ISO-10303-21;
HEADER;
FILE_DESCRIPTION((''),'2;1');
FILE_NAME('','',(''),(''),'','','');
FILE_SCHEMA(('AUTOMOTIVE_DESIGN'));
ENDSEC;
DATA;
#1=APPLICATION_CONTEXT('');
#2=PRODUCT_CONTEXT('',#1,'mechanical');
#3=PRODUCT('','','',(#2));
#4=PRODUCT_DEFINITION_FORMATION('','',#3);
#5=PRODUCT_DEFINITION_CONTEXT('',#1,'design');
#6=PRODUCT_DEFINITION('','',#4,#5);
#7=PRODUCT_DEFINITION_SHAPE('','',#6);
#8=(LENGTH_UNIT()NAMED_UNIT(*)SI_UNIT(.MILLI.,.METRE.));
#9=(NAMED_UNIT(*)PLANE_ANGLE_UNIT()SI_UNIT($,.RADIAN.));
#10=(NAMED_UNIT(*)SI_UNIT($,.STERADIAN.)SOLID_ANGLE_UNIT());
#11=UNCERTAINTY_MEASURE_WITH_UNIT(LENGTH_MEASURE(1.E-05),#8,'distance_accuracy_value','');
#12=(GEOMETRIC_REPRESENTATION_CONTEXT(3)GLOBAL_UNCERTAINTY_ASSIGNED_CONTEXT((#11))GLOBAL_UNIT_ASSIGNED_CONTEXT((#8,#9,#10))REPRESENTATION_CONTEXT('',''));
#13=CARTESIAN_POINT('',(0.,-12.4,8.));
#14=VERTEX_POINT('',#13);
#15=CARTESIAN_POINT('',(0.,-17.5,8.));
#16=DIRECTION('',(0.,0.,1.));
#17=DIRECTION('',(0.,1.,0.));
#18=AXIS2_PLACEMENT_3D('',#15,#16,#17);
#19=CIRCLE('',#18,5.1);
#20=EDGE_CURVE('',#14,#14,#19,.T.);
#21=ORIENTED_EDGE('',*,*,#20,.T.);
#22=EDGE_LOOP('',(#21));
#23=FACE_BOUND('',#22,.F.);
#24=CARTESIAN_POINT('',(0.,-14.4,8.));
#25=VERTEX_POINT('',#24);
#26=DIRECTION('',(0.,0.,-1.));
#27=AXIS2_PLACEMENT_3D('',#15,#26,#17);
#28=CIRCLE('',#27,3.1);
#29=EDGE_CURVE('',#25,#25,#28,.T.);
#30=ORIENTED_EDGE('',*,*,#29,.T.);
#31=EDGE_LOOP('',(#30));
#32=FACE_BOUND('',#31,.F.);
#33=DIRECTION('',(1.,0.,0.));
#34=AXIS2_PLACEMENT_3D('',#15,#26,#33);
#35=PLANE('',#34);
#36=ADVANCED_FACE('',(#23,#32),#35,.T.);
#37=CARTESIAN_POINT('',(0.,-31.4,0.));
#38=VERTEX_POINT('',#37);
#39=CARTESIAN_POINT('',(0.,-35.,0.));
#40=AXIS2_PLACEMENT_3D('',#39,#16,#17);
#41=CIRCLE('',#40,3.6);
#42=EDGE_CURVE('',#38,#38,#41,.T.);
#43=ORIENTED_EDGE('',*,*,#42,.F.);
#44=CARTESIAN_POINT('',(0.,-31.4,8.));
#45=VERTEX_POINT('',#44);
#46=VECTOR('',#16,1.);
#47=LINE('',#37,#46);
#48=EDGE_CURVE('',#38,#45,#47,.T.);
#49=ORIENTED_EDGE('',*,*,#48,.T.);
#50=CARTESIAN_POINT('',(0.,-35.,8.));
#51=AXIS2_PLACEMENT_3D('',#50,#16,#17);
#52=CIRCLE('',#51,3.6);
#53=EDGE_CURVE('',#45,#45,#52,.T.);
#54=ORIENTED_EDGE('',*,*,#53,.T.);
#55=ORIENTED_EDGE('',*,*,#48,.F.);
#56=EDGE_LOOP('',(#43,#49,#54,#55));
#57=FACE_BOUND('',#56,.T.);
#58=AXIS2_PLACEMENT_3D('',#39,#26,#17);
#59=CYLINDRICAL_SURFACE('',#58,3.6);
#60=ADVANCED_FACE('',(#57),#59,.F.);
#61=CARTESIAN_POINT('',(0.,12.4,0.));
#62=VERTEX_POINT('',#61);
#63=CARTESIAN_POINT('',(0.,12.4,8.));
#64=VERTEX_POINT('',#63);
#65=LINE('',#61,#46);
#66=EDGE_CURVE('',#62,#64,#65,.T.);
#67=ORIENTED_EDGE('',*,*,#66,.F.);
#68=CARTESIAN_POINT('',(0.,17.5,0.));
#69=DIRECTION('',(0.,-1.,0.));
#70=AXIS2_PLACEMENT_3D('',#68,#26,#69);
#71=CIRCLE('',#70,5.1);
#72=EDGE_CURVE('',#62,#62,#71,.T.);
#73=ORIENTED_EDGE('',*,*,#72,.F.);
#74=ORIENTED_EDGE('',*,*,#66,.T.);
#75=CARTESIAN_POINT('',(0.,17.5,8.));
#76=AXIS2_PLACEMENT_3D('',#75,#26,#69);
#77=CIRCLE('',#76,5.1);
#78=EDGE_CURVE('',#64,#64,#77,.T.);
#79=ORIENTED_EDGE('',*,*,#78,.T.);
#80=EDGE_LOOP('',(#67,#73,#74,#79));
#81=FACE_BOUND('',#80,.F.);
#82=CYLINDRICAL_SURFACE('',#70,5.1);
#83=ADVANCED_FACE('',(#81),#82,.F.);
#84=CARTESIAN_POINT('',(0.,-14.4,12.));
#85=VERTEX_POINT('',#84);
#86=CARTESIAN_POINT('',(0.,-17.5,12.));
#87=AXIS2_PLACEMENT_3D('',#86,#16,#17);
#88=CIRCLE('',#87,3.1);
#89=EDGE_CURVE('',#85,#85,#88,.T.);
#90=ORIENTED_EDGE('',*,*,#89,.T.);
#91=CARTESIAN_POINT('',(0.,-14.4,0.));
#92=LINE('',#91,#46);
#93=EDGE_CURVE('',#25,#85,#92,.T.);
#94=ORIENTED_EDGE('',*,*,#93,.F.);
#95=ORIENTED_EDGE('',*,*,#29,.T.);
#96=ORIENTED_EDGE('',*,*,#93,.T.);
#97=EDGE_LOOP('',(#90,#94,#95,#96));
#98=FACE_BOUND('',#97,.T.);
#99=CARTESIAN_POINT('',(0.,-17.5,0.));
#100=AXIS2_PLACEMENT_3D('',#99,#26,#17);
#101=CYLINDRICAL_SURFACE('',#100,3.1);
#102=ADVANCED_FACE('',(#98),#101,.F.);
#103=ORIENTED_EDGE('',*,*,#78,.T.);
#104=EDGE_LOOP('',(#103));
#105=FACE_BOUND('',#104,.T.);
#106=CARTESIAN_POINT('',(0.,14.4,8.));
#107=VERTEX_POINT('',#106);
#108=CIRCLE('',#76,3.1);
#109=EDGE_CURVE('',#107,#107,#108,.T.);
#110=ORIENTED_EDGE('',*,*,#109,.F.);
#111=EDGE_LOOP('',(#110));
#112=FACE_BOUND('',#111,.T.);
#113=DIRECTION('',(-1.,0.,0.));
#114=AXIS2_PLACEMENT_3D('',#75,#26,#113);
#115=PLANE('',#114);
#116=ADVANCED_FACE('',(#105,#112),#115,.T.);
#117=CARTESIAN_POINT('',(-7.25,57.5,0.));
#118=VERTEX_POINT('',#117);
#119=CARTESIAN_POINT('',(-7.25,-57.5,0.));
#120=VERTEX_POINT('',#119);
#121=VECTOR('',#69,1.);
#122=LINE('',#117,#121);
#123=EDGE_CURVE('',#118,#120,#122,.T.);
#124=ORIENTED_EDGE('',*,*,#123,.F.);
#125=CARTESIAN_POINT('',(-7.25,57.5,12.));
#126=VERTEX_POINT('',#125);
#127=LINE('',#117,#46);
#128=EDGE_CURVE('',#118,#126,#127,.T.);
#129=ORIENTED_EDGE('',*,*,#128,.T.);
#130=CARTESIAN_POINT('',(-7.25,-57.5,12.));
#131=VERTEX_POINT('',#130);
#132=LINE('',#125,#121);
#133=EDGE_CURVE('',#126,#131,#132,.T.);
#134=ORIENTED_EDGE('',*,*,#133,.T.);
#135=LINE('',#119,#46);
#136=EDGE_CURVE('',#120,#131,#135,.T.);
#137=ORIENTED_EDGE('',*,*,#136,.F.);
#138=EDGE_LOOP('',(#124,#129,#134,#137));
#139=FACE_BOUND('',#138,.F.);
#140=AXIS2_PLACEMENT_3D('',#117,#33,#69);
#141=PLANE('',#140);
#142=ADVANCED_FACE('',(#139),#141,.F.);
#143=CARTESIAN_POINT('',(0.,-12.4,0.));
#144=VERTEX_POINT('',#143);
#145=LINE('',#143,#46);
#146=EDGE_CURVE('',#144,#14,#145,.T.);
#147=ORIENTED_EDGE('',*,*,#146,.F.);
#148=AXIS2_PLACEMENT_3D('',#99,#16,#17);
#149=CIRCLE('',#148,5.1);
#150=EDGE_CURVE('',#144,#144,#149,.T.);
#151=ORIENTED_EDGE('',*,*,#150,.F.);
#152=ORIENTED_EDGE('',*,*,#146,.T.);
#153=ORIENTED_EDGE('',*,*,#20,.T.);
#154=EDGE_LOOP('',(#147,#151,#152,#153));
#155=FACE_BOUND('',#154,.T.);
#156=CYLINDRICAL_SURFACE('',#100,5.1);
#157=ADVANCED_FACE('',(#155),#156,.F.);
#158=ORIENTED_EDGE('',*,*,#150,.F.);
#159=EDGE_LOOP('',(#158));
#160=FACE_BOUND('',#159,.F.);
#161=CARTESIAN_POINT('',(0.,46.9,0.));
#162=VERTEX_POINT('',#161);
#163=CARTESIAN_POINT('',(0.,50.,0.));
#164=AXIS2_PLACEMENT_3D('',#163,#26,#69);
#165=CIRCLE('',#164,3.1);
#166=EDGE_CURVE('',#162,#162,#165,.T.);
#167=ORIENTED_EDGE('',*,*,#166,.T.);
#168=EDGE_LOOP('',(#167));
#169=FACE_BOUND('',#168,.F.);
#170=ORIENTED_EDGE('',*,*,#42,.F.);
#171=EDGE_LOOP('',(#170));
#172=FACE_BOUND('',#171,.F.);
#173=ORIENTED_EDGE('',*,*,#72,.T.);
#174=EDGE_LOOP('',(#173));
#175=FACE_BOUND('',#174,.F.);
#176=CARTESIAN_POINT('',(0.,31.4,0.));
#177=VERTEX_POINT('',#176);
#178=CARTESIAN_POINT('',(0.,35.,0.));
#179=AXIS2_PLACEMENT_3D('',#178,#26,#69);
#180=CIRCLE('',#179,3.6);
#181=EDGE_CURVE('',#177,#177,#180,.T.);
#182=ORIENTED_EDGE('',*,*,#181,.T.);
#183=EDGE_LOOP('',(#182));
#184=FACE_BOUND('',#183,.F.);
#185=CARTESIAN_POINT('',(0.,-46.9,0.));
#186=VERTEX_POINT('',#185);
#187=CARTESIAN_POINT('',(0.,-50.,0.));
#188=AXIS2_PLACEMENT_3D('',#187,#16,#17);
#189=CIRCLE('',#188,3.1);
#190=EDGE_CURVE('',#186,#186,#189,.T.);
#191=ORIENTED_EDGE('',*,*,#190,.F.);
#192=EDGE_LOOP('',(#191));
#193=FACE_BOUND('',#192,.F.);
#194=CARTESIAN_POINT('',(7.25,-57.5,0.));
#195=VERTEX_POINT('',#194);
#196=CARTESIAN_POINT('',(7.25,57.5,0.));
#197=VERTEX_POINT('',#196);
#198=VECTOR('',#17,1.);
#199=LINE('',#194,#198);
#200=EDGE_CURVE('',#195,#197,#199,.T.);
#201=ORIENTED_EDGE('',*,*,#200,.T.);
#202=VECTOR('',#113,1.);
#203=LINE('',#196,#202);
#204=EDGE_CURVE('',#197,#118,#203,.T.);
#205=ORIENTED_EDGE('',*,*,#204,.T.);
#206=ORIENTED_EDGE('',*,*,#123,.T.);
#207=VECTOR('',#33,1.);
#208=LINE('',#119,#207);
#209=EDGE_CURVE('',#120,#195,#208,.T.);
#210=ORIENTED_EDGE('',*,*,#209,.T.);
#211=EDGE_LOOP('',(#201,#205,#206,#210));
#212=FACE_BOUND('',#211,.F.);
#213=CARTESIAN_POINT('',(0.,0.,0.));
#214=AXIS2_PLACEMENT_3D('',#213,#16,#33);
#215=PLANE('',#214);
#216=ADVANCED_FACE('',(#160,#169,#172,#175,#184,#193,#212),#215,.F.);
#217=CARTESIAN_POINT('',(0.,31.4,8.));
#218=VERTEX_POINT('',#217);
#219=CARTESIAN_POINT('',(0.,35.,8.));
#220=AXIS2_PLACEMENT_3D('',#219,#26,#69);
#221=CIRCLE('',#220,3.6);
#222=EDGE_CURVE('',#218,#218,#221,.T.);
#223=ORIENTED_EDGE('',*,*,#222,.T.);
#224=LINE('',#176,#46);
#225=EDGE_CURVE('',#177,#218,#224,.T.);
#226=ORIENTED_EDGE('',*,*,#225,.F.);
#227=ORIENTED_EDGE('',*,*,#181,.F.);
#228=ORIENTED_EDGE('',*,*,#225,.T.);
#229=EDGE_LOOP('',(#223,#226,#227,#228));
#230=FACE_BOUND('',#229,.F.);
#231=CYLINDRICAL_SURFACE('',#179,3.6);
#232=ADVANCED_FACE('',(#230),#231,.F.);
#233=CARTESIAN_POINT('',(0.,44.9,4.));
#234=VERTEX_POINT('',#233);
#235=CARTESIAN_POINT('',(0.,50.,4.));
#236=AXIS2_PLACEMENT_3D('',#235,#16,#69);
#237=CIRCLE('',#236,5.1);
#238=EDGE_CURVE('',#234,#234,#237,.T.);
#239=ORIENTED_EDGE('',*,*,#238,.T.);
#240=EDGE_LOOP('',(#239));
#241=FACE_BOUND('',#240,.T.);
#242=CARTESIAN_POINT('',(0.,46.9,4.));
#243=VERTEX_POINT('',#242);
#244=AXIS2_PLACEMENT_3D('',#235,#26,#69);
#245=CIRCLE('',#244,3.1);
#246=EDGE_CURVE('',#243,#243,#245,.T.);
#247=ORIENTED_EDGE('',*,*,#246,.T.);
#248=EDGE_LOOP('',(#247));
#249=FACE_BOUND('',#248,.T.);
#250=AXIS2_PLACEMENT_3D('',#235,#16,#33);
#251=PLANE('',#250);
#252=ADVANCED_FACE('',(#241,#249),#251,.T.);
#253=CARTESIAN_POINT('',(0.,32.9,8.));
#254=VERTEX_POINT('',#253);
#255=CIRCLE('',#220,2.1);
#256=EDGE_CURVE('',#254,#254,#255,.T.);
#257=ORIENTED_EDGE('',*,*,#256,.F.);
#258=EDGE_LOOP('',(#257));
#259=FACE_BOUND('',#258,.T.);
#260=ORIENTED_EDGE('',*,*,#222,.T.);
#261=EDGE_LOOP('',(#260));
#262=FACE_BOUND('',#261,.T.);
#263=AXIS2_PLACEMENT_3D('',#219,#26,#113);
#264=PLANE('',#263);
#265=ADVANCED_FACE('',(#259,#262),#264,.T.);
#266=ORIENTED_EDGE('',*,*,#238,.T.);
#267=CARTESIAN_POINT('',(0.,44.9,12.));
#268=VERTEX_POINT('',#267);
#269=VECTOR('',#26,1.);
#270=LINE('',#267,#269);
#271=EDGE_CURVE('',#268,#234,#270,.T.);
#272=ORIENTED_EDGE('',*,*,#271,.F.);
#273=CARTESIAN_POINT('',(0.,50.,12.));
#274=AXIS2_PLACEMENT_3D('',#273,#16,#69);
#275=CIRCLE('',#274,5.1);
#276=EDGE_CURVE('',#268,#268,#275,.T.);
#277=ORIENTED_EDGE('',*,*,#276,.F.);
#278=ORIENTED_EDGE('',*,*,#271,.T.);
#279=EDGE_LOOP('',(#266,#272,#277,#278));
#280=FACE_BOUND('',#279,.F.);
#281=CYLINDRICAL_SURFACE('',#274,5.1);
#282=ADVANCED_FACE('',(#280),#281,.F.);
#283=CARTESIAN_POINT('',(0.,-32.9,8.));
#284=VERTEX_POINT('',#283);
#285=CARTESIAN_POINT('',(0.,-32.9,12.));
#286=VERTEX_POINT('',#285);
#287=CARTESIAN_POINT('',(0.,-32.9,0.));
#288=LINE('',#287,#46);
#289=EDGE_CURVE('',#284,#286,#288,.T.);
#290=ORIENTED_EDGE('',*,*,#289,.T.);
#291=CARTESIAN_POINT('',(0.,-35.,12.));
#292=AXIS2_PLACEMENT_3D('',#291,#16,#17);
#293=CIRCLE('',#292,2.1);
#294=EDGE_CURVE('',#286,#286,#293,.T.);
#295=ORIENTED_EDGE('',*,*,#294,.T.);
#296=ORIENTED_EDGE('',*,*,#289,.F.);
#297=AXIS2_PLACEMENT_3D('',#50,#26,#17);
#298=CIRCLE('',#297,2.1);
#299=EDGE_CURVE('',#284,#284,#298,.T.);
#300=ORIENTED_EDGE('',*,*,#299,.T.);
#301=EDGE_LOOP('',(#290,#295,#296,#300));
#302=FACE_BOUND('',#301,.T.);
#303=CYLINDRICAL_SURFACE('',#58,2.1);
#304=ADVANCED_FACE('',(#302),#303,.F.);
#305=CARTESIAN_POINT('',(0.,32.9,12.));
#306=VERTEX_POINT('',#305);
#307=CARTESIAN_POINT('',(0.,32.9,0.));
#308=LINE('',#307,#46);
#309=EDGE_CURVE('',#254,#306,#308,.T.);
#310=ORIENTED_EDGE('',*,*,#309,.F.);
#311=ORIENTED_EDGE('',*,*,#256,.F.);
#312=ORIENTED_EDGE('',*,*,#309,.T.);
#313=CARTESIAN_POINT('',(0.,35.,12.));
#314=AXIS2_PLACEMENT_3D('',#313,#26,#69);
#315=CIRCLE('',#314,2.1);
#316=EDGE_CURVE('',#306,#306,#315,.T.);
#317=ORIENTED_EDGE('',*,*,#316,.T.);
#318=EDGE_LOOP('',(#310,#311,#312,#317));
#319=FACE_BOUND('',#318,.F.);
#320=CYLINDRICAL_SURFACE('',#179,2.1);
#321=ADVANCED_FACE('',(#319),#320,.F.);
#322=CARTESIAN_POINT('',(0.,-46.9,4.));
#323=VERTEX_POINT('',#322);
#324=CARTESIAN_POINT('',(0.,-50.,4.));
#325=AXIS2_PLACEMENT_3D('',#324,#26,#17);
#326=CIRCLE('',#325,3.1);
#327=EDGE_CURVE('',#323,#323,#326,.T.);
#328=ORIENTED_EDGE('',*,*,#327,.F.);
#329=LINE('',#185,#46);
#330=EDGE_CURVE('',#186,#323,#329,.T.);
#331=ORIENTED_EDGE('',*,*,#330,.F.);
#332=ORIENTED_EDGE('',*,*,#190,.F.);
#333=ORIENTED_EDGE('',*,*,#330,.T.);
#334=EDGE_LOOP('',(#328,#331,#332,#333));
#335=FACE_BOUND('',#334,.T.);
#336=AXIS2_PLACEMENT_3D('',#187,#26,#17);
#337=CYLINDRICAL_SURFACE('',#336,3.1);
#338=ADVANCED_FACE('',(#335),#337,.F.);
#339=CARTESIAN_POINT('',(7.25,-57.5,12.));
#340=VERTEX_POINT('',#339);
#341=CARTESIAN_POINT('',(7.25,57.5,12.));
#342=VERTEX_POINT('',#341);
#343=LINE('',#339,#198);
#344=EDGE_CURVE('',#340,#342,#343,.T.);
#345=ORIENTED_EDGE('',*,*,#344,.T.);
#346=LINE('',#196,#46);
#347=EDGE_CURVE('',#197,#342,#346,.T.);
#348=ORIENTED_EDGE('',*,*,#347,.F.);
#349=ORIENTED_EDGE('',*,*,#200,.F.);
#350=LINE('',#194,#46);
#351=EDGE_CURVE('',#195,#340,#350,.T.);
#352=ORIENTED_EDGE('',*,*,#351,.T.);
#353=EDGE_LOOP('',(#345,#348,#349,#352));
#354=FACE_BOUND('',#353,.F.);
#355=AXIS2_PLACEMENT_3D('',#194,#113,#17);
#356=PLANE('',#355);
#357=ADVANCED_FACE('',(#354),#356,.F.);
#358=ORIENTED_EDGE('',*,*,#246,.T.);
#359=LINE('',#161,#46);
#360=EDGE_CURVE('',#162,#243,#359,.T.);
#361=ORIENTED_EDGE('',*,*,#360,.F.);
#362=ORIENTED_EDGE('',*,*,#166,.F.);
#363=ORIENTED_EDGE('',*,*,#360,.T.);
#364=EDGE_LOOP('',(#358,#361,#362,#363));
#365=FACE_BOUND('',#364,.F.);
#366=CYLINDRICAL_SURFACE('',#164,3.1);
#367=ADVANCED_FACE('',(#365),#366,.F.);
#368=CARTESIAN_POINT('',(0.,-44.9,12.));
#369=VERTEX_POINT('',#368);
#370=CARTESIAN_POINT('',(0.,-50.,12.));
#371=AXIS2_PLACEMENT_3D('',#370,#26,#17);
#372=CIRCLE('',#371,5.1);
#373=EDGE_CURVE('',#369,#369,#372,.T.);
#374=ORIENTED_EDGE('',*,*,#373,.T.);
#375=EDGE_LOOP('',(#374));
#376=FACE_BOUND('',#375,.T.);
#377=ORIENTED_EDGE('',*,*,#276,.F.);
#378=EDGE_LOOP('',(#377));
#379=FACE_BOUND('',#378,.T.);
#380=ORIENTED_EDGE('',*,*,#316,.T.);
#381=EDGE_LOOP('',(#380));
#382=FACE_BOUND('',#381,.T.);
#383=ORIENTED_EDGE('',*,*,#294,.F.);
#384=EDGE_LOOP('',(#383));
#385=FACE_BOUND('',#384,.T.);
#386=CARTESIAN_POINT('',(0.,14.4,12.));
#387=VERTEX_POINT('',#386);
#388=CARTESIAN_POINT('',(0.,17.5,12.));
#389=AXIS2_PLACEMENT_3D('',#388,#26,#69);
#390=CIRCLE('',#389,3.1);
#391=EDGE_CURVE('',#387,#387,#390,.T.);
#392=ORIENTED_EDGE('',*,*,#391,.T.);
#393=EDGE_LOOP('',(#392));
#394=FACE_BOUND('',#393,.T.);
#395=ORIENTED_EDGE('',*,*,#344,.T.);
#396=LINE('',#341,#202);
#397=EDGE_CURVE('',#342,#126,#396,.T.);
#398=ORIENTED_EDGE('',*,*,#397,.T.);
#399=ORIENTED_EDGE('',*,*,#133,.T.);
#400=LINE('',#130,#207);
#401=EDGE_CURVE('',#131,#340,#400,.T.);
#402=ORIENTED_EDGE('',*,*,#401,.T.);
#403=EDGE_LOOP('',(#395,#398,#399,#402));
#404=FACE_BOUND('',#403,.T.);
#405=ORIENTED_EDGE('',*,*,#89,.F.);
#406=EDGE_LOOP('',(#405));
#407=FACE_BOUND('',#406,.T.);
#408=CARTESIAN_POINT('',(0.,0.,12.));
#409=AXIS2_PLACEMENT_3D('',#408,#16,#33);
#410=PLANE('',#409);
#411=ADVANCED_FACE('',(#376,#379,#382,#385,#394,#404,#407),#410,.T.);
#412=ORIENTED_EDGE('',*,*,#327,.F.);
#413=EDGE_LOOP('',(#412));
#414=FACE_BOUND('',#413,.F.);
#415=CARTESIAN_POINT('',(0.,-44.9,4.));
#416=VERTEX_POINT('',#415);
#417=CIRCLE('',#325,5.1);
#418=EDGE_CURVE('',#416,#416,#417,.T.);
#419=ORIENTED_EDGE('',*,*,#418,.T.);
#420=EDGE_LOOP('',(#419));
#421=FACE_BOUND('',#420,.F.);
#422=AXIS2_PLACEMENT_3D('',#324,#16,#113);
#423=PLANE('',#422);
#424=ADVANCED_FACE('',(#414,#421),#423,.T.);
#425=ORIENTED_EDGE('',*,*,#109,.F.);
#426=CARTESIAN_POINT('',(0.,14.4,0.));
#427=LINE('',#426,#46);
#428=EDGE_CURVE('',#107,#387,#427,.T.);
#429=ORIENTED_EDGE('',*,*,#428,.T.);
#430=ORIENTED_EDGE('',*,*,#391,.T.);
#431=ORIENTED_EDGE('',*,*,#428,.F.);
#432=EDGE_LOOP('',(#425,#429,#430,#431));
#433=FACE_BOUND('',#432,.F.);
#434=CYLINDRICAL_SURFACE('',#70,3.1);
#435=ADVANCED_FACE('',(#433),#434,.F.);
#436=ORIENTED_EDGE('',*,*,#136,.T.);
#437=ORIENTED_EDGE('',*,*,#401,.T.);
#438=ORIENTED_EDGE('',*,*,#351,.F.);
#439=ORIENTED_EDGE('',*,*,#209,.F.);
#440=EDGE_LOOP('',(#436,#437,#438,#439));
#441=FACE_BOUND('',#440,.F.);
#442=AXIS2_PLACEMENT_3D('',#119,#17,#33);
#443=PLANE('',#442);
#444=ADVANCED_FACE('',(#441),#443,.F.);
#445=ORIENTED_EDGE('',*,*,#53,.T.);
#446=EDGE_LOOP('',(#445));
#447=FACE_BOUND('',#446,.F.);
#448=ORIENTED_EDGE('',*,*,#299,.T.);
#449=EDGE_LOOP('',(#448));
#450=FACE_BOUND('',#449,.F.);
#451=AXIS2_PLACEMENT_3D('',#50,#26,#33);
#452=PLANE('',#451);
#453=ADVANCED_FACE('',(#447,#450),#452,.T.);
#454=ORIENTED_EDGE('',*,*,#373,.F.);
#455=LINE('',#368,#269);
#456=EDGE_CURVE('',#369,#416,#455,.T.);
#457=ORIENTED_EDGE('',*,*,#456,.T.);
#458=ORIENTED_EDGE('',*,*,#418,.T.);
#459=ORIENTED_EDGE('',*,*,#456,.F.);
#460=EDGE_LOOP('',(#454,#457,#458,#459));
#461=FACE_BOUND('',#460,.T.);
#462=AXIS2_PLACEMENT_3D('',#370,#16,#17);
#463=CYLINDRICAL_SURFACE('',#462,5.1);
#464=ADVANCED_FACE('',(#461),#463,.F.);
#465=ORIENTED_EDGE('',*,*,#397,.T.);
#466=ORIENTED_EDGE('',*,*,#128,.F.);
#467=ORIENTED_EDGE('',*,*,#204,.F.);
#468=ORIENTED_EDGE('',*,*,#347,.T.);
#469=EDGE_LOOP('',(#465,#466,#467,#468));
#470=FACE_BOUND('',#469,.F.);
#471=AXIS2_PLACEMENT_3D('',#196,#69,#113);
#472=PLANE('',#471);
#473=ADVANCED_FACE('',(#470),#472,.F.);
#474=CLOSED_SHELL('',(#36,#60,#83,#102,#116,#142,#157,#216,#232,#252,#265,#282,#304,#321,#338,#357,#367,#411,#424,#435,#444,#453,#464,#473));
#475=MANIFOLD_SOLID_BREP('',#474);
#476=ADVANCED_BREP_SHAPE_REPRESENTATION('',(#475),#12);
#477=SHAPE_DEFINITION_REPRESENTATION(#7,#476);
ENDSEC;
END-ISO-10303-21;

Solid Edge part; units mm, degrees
sketch "Sketch1" plane through (0, 0, 0) normal (0, 0, 1) x (1, 0, 0)
  line L0 (-7.25, -57.5) -> (7.25, -57.5)
  line L1 (7.25, -57.5) -> (7.25, 57.5)
  line L2 (7.25, 57.5) -> (-7.25, 57.5)
  line L3 (-7.25, 57.5) -> (-7.25, -57.5)
  dimension "D1" = 14.5
  dimension "D2" = 115
extrude "Protrusion1" add sketch "Sketch1" along normal blind 12
sketch "Sketch2" plane through (0, 0, 0) normal (0, 0, -1) x (0, -1, 0)
  circle A0 centre (-35, 0) radius 2.1
  circle A1 centre (-50, 0) radius 3.1
  circle A2 centre (-17.5, 0) radius 3.1
  dimension "D1" = 17.5
  dimension "D2" = 35
  dimension "D3" = 50
extrude "Cutout1" cut sketch "Sketch2" against normal up to next
sketch "Sketch3" plane through (0, 0, 0) normal (0, 0, -1) x (0, -1, 0)
  circle A0 centre (-17.5, 0) radius 5.1
  circle A1 centre (-35, 0) radius 3.6
extrude "ExtrudedCutout_2" cut sketch "Sketch3" against normal blind 8
sketch "Sketch4" plane through (0, 0, 12) normal (0, 0, 1) x (0, -1, 0)
  circle A0 centre (-50, 0) radius 5.1
extrude "ExtrudedCutout_3" cut sketch "Sketch4" against normal blind 8
mirror "Mirror1" about plane through (0, 0, 0) normal (0, 1, 0) of "Cutout1", "ExtrudedCutout_2", "ExtrudedCutout_3"
